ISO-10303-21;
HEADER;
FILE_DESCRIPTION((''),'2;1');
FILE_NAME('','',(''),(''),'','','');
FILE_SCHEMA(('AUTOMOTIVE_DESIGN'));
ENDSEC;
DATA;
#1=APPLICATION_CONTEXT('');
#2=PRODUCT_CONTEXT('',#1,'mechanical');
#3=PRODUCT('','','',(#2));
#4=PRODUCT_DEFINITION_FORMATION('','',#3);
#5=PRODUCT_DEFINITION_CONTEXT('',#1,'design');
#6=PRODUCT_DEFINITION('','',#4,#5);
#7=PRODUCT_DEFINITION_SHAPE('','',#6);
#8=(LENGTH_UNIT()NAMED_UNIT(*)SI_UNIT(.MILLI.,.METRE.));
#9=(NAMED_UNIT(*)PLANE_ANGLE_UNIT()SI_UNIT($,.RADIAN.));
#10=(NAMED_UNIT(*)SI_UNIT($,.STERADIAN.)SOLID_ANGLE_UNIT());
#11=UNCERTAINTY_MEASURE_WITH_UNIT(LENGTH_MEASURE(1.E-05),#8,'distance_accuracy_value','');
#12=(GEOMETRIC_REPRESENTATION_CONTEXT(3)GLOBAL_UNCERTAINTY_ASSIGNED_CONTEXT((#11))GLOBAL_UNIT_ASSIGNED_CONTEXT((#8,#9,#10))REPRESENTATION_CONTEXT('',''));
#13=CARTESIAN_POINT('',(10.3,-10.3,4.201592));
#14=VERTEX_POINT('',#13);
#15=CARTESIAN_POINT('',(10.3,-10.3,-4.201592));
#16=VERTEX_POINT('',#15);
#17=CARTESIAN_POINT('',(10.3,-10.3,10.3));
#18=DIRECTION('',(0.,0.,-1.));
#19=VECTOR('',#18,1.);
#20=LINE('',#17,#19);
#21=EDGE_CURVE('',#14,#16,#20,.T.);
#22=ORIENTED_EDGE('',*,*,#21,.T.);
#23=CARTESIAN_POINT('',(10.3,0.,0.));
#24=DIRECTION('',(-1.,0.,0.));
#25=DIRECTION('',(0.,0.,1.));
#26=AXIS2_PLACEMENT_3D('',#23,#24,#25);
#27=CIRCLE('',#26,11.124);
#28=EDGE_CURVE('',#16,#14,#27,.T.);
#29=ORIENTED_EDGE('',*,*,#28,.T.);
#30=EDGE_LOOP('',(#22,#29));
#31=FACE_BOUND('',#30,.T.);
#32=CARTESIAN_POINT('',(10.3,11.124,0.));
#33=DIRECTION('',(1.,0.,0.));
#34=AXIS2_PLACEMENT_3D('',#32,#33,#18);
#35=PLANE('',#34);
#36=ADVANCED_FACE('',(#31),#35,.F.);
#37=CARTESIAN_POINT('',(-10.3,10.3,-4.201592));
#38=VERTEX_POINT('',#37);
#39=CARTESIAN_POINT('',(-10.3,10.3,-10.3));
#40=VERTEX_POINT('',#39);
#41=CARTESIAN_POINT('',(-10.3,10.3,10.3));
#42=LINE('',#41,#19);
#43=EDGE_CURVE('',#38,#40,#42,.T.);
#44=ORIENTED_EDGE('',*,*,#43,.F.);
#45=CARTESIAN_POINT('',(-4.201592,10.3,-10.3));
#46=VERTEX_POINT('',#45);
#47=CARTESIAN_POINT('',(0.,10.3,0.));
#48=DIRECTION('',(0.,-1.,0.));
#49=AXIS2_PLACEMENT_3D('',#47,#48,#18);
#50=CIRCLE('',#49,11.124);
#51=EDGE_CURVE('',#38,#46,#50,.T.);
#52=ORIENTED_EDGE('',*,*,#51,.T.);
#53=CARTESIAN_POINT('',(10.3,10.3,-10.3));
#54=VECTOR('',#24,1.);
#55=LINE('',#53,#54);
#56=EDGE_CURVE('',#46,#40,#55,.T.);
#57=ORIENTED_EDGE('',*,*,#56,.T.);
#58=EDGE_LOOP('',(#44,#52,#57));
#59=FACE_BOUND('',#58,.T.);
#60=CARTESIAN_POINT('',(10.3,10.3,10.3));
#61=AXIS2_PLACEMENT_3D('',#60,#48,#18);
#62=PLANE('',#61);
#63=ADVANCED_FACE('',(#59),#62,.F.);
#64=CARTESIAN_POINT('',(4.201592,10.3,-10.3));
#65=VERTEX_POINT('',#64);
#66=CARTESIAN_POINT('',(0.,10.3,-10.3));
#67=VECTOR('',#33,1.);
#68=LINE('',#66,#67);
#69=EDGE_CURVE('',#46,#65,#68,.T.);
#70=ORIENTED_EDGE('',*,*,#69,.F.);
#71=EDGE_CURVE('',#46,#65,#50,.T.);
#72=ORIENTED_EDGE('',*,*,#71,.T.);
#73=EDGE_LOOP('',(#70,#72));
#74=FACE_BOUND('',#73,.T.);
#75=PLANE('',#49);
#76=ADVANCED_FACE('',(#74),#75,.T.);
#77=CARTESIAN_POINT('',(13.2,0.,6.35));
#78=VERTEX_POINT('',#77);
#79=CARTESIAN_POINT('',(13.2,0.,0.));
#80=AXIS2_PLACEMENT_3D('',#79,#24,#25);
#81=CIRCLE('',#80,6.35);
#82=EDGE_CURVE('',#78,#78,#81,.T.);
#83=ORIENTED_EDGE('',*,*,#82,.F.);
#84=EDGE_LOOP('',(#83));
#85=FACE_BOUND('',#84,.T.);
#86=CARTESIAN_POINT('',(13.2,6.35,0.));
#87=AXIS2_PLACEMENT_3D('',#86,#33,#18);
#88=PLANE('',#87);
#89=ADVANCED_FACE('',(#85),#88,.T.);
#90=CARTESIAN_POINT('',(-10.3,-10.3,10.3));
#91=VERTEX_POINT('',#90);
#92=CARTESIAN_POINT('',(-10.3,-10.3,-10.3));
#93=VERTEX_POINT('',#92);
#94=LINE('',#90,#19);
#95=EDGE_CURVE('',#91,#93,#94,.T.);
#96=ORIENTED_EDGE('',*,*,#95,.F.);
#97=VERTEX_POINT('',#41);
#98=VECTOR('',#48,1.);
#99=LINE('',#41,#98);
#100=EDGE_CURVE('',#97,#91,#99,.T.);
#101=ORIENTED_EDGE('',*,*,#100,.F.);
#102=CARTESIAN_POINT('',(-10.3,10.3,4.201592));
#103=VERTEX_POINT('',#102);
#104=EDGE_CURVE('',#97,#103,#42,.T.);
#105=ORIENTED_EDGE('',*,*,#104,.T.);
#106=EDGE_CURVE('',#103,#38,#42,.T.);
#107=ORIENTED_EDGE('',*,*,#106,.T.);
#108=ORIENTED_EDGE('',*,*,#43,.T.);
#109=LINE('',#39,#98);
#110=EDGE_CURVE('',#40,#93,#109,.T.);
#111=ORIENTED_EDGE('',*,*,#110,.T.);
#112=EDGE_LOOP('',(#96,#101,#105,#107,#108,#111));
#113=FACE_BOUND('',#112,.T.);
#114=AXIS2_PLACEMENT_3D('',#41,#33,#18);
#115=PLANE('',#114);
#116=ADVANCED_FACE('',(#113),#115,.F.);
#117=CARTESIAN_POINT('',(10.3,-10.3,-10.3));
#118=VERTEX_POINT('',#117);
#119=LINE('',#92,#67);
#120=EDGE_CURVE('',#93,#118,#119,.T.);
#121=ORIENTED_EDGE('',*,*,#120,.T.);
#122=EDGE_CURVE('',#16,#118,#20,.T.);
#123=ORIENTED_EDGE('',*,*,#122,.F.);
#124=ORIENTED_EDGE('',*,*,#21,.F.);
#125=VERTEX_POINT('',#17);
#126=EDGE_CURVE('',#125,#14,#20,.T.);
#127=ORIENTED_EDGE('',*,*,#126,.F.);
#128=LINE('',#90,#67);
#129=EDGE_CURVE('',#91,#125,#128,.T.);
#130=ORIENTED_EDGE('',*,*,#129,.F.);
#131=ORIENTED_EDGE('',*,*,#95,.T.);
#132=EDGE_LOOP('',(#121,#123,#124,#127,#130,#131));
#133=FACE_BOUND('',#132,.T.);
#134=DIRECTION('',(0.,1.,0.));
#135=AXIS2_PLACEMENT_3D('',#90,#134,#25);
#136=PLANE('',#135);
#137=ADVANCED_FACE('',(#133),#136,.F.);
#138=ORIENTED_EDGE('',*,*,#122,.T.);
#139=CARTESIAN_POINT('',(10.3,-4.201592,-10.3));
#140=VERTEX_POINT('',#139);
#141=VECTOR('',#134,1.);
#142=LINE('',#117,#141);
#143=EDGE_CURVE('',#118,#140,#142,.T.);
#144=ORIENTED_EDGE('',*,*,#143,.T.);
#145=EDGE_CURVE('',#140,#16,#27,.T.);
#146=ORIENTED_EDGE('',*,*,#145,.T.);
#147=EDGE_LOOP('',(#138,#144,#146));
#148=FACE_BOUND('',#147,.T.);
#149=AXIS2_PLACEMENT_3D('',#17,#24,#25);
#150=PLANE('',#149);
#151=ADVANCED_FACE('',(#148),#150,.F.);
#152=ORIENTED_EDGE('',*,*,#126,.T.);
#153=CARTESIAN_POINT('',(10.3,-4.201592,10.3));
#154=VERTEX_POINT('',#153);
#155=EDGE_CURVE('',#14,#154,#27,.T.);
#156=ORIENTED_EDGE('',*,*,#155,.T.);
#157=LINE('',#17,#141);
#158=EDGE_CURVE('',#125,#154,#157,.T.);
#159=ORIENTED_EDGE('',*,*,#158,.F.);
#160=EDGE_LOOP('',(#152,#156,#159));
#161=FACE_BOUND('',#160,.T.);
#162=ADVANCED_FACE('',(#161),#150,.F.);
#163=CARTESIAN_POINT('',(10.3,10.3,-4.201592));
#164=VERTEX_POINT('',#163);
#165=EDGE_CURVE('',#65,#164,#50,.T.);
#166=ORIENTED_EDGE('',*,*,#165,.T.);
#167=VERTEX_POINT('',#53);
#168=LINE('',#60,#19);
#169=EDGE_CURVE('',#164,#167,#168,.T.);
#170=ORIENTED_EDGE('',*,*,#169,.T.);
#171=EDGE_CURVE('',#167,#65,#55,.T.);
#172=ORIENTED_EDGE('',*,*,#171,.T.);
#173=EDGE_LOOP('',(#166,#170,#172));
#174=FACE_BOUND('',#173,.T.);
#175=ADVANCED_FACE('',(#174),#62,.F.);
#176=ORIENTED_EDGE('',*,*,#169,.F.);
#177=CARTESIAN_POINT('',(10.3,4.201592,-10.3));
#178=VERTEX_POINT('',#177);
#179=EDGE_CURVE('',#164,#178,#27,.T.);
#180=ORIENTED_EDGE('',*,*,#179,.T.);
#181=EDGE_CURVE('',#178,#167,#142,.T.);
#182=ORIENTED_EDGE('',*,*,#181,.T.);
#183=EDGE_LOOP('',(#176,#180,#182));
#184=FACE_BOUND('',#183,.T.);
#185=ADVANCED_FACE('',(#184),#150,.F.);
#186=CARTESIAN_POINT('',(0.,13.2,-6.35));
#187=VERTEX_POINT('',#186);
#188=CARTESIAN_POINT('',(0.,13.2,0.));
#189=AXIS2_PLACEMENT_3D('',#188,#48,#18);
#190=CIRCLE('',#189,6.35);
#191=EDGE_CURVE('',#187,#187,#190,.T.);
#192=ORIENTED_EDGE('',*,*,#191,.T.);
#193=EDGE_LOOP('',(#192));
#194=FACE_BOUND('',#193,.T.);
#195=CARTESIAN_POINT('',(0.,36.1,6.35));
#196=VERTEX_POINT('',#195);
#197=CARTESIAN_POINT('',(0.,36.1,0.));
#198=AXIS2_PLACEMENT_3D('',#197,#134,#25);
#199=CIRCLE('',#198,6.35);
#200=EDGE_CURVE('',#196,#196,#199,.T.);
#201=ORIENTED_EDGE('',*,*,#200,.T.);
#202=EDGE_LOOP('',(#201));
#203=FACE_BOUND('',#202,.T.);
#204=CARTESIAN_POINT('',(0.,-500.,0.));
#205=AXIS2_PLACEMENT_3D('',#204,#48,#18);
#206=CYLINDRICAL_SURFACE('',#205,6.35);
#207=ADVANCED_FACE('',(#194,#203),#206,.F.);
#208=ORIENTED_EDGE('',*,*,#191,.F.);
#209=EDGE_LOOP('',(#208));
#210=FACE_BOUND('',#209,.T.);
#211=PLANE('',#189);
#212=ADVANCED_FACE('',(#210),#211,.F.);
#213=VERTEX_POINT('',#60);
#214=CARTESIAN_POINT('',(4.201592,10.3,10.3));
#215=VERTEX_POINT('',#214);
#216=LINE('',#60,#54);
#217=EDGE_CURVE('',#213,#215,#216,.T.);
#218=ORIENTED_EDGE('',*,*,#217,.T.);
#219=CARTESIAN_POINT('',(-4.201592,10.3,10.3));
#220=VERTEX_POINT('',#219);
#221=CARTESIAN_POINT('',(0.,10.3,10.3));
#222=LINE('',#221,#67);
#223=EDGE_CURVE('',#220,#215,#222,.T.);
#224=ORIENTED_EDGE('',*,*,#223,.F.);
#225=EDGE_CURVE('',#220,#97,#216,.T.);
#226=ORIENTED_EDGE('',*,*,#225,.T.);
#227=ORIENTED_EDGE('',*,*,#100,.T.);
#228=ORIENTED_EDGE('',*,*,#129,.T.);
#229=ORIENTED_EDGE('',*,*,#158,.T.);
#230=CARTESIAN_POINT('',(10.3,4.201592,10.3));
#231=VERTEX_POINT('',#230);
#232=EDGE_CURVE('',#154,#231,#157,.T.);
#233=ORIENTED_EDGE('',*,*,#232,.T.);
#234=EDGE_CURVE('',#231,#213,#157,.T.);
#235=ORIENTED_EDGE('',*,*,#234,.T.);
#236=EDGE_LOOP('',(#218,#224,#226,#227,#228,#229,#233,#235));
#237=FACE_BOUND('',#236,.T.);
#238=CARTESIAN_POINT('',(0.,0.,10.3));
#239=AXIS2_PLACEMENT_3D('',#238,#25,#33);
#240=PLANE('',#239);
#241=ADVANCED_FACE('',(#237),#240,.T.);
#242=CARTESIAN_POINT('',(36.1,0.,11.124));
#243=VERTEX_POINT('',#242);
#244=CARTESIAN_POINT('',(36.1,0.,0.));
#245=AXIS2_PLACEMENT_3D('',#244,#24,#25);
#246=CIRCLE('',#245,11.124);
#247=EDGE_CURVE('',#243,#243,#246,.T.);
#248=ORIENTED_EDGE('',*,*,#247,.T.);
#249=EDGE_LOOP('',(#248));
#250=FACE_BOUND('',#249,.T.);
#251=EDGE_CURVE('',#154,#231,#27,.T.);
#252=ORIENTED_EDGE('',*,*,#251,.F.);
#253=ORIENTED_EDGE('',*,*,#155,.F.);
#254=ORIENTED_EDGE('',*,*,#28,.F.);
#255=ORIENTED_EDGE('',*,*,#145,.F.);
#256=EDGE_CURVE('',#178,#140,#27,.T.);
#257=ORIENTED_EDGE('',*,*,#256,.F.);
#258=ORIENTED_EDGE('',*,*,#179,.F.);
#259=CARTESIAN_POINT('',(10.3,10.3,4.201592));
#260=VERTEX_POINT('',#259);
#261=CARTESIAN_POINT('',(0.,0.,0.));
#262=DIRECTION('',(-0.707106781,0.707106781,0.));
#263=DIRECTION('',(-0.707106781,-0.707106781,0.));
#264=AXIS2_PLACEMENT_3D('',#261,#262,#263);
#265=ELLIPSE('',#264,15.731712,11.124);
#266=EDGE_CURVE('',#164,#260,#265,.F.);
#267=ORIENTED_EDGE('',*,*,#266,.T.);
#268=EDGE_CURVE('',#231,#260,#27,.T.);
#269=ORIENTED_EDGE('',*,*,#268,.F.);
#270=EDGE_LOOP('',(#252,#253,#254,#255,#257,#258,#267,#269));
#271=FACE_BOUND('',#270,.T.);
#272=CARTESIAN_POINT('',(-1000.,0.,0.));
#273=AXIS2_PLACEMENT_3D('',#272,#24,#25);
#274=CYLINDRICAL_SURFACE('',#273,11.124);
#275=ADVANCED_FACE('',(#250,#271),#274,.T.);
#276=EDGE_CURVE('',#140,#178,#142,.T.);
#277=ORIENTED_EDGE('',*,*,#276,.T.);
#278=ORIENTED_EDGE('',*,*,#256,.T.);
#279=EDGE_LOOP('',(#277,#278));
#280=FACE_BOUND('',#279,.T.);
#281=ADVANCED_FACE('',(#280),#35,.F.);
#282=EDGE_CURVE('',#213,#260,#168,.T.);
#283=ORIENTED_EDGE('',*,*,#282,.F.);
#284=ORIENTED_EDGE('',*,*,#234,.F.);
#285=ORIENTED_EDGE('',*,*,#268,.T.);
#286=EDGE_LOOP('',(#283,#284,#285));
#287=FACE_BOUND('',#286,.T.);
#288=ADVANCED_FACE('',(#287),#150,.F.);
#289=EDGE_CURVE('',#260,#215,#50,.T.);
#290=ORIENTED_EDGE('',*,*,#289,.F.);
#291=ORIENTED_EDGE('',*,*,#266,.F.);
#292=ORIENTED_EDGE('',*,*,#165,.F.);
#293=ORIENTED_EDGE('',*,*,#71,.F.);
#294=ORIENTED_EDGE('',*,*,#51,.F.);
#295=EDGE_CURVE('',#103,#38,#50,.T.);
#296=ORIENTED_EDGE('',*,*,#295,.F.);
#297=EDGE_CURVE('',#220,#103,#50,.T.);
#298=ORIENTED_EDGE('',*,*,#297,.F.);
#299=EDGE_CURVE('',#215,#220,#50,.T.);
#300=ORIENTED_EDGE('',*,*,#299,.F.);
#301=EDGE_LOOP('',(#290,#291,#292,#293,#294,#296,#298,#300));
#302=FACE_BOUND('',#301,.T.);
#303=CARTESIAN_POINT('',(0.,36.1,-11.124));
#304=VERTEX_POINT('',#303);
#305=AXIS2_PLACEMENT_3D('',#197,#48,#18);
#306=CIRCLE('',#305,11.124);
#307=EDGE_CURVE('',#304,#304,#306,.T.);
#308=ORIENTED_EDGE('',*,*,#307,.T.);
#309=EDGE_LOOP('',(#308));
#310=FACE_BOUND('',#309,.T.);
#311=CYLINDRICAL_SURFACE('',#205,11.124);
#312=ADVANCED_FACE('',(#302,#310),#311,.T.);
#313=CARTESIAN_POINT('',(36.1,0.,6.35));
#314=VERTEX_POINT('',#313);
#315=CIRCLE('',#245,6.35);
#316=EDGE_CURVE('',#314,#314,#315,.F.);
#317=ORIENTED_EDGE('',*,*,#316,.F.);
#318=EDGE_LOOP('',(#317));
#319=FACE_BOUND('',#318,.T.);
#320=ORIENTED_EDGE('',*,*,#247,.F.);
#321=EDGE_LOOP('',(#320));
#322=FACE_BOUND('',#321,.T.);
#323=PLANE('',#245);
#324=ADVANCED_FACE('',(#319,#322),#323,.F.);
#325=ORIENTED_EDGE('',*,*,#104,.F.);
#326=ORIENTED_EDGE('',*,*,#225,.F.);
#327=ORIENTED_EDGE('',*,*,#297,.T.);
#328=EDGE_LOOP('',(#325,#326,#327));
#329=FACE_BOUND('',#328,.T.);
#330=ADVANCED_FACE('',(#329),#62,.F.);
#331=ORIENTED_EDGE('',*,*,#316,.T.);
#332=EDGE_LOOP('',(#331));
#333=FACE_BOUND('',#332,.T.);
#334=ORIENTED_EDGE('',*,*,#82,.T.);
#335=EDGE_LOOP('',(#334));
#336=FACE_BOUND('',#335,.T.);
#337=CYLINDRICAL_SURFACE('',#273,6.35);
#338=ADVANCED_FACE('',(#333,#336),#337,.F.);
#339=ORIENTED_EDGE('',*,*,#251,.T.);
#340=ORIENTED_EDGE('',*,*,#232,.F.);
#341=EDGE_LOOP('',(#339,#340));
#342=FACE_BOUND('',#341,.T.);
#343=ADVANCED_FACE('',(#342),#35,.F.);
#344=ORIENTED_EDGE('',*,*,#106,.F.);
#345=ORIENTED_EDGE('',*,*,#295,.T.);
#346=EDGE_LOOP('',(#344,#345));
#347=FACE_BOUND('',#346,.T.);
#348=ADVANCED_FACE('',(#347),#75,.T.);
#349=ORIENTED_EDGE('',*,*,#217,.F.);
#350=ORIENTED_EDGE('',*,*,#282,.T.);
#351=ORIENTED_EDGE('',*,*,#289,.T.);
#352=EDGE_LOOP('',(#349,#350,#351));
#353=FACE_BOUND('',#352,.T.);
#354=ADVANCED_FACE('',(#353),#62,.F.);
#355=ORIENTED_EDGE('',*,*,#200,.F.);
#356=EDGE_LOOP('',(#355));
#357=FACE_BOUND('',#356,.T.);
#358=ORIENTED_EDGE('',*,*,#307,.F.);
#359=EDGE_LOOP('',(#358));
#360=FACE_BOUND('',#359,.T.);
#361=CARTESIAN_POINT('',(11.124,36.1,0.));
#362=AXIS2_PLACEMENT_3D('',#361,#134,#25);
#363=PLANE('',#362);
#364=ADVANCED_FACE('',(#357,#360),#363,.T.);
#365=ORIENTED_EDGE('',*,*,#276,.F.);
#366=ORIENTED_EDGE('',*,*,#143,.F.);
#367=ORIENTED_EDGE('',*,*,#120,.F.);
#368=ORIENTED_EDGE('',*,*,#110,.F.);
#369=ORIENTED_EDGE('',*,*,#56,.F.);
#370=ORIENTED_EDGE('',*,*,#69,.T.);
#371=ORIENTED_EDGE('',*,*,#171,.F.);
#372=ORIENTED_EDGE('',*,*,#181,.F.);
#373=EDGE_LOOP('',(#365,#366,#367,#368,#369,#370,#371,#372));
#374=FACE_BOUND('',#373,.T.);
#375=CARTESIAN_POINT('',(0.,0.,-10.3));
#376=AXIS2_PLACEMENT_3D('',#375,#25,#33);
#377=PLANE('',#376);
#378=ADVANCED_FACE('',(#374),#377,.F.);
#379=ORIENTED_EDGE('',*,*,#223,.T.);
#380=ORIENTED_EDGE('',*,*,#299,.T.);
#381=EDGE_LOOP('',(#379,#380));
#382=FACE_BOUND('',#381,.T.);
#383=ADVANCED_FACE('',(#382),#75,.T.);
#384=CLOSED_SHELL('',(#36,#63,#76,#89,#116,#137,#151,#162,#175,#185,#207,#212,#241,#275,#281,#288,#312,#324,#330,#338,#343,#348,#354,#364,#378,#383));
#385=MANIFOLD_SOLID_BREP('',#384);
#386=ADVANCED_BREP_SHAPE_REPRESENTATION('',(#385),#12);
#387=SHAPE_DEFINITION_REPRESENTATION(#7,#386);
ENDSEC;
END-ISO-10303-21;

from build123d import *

# Parameters (mm, degrees)
BLOCK_SKETCH_W    = 20.6
BLOCK_SKETCH_H    = 20.6
BLOCK_DEPTH       = 10.3
ARM_X_SKETCH_W    = 25.8
ARM_X_SKETCH_H    = 11.124
ARM_Y_SKETCH_W    = 11.124
ARM_Y_SKETCH_H    = 25.8
SOCKET_X_SKETCH_W = 23.9
SOCKET_X_SKETCH_H = 6.35
SOCKET_Y_SKETCH_W = 6.35
SOCKET_Y_SKETCH_H = 23.9


with BuildPart() as part:
    # Block Sketch → Block (new, symmetric)
    with BuildSketch(Plane.XY):
        Rectangle(BLOCK_SKETCH_W, BLOCK_SKETCH_H)
    extrude(amount=BLOCK_DEPTH, both=True)

    # Arm X Sketch → Arm X (revolve)
    with BuildSketch(Plane.XY):
        with Locations((23.2, 5.562)):
            Rectangle(ARM_X_SKETCH_W, ARM_X_SKETCH_H)
    revolve(axis=Axis((-1000, 0, 0), (1, 0, 0)))

    # Arm Y Sketch → Arm Y (revolve)
    with BuildSketch(Plane.XY):
        with Locations((5.562, 23.2)):
            Rectangle(ARM_Y_SKETCH_W, ARM_Y_SKETCH_H)
    revolve(axis=Axis((0, -500, 0), (0, 1, 0)))

    # Socket X Sketch → Socket X (revolve, cut)
    with BuildSketch(Plane.XY):
        with Locations((25.15, 3.175)):
            Rectangle(SOCKET_X_SKETCH_W, SOCKET_X_SKETCH_H)
    revolve(axis=Axis((-1000, 0, 0), (1, 0, 0)), mode=Mode.SUBTRACT)

    # Socket Y Sketch → Socket Y (revolve, cut)
    with BuildSketch(Plane.XY):
        with Locations((3.175, 25.15)):
            Rectangle(SOCKET_Y_SKETCH_W, SOCKET_Y_SKETCH_H)
    revolve(axis=Axis((0, -500, 0), (0, 1, 0)), mode=Mode.SUBTRACT)


solid = part.part
